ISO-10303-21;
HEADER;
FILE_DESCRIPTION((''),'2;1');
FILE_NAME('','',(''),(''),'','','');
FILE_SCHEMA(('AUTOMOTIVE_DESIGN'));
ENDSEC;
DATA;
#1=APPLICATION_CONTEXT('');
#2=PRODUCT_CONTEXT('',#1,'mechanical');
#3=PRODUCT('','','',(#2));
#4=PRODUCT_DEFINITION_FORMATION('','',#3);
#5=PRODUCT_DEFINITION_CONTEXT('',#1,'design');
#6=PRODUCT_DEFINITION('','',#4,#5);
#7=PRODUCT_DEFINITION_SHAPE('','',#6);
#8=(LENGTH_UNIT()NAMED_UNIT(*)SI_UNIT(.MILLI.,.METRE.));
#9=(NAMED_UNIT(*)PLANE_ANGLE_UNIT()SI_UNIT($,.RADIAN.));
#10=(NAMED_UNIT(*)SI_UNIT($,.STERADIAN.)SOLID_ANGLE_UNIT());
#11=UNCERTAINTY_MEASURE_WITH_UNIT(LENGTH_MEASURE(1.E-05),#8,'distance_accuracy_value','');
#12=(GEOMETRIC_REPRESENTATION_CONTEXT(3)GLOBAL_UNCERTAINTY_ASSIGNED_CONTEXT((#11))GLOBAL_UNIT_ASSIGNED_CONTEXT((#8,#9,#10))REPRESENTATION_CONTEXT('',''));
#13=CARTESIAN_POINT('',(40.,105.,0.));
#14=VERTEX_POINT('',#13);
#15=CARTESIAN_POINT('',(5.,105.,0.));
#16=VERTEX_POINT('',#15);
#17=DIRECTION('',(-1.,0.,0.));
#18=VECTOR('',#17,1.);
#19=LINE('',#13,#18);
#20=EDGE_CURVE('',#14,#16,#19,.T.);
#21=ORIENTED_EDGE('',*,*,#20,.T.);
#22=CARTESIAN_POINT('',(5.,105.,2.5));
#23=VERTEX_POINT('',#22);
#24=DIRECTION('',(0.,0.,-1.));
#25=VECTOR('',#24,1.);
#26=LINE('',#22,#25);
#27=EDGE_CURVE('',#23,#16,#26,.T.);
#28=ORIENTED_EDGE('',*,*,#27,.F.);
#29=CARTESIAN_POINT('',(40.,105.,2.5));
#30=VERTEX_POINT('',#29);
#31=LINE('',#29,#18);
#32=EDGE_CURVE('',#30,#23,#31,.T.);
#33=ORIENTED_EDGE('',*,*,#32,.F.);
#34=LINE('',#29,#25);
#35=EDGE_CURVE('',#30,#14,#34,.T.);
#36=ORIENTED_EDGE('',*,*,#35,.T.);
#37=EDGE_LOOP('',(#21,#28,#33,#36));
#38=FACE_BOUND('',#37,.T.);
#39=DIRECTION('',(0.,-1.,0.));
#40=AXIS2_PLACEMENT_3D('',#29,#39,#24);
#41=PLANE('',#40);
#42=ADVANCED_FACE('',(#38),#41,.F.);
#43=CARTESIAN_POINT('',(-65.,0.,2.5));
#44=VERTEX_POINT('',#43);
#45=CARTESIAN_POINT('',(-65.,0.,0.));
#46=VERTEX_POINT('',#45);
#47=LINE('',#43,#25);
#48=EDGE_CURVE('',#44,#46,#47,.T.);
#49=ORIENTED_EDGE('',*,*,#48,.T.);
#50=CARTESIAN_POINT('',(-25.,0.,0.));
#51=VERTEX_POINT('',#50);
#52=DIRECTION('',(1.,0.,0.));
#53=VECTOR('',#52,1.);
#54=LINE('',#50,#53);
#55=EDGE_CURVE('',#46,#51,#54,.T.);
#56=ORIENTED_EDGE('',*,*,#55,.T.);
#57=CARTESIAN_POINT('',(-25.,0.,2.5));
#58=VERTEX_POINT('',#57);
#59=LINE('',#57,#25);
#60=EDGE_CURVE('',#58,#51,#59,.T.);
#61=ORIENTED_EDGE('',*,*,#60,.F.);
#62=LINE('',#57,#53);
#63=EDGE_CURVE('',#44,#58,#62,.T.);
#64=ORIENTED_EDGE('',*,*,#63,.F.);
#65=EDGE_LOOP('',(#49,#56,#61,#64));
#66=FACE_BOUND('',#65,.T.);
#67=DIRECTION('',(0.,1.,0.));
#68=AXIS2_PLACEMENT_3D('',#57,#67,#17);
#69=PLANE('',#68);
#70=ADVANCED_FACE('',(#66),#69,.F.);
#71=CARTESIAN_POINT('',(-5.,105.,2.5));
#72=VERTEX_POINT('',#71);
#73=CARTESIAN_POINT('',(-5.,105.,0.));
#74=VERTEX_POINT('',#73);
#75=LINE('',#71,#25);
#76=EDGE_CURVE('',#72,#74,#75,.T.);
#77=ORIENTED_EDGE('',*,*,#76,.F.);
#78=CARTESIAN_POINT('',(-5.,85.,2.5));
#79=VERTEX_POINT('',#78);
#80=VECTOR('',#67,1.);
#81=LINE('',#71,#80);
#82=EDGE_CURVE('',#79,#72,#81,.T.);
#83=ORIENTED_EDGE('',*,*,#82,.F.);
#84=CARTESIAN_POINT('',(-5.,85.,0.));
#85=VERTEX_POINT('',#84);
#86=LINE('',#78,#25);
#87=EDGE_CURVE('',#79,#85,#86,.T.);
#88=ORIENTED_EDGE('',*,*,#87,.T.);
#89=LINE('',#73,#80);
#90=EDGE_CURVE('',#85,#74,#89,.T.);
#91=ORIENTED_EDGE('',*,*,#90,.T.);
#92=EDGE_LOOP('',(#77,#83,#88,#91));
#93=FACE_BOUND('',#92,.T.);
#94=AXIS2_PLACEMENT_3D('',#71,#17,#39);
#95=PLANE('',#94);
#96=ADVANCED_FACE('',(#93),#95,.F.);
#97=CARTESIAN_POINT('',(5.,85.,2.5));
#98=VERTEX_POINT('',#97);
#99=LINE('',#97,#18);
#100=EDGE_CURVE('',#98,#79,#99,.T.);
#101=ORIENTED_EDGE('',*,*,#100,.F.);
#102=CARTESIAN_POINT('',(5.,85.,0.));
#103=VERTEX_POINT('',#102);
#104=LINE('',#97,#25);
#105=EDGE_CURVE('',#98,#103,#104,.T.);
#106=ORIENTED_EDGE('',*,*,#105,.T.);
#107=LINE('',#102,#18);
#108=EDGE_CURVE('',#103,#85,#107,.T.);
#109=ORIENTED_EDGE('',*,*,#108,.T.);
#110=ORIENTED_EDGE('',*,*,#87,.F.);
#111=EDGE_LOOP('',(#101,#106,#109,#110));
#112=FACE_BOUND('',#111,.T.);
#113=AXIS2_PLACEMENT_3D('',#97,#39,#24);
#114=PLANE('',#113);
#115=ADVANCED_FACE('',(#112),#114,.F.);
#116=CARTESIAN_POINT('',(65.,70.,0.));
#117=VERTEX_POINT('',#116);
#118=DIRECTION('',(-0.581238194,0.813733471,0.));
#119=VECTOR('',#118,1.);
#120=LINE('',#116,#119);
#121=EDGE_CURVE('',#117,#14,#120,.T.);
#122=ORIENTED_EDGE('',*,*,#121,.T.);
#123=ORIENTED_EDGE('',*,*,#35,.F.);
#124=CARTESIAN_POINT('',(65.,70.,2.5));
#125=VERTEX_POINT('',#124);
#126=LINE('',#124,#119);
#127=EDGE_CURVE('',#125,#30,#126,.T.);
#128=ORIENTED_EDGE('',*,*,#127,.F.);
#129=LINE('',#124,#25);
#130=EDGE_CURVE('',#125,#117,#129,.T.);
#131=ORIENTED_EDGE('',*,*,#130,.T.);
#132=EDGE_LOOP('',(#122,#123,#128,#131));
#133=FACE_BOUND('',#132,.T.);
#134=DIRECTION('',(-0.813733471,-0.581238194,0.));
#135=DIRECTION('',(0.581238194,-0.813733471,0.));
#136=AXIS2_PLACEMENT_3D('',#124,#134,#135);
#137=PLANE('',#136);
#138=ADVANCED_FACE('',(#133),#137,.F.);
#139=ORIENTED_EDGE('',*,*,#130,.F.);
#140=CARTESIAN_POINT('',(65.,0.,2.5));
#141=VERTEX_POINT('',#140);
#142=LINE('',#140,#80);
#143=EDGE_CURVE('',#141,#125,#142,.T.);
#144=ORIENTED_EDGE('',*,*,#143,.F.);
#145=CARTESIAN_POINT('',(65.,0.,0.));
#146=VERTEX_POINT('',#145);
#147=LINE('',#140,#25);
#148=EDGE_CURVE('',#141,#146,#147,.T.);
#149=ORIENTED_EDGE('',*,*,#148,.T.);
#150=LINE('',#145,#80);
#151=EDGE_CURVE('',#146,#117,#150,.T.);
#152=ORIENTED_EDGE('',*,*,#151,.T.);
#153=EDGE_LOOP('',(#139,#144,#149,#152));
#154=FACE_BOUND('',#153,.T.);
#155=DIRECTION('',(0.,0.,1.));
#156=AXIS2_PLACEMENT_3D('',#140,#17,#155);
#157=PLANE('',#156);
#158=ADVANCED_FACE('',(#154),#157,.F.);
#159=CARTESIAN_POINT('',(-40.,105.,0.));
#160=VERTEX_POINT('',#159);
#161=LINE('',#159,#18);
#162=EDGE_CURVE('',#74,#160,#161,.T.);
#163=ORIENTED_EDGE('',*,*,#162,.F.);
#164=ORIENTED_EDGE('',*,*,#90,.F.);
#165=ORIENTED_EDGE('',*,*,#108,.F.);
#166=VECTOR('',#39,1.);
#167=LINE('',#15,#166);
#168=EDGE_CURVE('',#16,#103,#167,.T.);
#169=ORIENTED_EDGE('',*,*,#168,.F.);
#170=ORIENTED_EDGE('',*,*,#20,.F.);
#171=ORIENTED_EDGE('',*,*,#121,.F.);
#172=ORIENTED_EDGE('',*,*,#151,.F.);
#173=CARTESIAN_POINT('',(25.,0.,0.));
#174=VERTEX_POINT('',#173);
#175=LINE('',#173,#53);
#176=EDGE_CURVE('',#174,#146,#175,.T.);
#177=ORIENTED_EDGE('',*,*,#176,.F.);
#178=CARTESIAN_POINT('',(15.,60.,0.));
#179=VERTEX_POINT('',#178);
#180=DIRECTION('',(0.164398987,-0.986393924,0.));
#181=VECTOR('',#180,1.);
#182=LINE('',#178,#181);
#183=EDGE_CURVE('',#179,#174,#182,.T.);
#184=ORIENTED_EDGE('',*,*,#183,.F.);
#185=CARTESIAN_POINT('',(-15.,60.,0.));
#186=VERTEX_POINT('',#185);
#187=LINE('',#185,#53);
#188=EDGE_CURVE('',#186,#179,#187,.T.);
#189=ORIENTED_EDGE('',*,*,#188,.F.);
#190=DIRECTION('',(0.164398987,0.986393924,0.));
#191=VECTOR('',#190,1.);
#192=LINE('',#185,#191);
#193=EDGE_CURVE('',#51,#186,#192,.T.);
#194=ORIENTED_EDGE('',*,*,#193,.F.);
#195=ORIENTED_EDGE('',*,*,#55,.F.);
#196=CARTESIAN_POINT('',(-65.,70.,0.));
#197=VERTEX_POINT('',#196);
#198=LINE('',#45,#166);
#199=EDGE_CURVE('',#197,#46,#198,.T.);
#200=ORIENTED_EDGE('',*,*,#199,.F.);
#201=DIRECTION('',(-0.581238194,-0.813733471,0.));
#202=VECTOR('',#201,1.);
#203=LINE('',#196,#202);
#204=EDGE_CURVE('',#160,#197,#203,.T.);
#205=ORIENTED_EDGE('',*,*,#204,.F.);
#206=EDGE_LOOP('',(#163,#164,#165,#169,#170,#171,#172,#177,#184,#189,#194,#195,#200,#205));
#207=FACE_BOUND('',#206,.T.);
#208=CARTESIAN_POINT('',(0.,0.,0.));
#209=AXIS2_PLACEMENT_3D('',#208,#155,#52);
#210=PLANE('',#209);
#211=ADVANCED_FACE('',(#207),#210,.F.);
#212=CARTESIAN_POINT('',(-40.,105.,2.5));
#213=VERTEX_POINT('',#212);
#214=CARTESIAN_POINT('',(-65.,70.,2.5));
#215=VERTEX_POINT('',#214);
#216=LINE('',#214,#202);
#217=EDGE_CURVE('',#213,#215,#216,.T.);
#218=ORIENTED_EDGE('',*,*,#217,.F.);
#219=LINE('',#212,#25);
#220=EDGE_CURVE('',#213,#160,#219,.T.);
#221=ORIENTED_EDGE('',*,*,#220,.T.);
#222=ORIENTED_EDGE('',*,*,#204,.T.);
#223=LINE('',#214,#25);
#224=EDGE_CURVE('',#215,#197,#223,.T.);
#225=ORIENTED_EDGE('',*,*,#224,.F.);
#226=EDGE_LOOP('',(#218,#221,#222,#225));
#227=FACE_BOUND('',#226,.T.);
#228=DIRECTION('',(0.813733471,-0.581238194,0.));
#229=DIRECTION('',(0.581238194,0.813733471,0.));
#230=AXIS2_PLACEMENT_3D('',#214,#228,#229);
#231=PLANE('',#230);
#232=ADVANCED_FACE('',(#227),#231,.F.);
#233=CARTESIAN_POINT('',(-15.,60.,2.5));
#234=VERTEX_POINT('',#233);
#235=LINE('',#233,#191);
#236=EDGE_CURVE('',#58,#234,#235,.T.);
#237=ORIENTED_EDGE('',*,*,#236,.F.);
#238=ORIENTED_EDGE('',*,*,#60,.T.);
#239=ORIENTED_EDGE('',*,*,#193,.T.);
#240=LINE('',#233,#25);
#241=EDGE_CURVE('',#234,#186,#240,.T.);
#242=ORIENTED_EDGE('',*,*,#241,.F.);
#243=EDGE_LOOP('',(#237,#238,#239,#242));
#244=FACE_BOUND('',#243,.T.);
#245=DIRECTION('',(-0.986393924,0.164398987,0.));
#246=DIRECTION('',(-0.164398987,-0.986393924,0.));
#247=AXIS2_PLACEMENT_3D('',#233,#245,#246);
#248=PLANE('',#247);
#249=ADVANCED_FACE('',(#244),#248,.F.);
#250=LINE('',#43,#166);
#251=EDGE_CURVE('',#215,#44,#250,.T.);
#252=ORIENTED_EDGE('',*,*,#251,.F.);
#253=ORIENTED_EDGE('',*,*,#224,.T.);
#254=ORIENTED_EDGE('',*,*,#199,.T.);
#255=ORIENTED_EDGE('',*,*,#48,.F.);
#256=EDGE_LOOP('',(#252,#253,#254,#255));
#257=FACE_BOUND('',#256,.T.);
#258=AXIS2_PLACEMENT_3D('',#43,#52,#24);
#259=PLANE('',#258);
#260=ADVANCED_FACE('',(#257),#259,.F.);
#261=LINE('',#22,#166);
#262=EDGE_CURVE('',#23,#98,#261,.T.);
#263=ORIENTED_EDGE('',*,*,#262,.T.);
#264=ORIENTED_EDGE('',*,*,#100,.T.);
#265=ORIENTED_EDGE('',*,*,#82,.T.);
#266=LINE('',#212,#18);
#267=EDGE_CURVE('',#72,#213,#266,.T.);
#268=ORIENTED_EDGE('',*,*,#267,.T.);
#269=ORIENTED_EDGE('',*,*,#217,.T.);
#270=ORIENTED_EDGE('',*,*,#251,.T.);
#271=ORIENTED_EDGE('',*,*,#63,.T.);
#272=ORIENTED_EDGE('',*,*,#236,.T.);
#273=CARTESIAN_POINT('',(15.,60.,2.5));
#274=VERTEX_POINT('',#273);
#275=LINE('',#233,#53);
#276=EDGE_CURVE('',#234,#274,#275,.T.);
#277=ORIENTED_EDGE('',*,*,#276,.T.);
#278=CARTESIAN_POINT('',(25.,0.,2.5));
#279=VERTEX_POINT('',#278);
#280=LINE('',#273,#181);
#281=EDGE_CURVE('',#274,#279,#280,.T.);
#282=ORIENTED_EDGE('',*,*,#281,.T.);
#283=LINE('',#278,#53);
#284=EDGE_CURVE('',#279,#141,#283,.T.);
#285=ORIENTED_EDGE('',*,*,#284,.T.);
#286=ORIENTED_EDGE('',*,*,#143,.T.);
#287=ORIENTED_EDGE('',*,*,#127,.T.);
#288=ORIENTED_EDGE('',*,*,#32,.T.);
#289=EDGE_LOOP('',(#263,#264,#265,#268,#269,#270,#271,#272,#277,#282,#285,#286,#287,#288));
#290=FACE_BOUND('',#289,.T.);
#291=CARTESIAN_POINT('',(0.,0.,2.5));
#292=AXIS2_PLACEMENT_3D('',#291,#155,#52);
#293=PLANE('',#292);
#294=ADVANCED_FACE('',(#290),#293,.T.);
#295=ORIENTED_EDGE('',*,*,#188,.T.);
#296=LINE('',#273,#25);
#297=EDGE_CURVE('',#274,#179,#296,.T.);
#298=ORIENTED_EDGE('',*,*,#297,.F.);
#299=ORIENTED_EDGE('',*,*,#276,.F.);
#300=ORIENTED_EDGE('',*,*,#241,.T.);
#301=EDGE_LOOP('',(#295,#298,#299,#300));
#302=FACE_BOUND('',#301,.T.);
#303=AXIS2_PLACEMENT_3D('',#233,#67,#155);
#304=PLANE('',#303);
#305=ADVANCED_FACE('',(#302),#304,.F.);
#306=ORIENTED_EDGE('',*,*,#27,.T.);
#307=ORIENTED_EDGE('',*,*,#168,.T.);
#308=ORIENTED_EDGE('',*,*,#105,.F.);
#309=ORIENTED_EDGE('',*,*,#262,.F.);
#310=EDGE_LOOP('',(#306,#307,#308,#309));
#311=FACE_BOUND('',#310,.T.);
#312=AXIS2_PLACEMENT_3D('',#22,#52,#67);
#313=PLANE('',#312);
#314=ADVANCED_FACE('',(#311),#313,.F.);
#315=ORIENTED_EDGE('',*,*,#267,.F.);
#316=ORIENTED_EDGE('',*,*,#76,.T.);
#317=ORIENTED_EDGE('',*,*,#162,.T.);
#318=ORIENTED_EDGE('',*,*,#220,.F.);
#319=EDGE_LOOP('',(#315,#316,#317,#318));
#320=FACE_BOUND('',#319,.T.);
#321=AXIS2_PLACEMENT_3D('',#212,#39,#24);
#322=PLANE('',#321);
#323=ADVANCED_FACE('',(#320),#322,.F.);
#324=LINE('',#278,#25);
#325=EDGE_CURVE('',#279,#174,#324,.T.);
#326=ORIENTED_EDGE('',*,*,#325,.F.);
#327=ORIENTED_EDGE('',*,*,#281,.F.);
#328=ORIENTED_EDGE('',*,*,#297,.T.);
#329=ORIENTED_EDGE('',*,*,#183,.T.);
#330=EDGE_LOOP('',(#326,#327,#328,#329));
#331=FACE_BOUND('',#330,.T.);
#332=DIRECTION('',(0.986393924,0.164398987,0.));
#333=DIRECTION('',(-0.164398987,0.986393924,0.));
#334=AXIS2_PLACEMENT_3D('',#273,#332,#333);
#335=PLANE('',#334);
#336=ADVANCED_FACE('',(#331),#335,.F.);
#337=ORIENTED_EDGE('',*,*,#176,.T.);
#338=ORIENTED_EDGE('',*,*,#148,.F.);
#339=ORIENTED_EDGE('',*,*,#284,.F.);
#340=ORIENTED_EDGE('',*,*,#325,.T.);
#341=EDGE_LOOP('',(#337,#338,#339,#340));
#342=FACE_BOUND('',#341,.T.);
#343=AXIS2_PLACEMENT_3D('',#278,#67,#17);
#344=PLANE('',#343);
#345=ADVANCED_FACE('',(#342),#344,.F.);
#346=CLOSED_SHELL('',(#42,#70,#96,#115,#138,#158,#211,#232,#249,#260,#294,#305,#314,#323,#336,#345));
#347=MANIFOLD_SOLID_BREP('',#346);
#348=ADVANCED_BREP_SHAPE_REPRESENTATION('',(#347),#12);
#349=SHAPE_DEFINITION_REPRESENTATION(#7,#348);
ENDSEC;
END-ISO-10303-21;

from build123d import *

# Parameters (mm, degrees)
AUFSATZ_LINEAR_AUSTRAGEN1_DEPTH = 2.5


with BuildPart() as part:
    # Skizze1 → Aufsatz-Linear austragen1 (new body)
    with BuildSketch(Plane.XY):
        Polygon((-15, 60), (15, 60), (25, 0), (65, 0), (65, 70), (40, 105), (5, 105), (5, 85), (-5, 85), (-5, 105), (-40, 105), (-65, 70), (-65, 0), (-25, 0), align=None)
    extrude(amount=AUFSATZ_LINEAR_AUSTRAGEN1_DEPTH)


solid = part.part
